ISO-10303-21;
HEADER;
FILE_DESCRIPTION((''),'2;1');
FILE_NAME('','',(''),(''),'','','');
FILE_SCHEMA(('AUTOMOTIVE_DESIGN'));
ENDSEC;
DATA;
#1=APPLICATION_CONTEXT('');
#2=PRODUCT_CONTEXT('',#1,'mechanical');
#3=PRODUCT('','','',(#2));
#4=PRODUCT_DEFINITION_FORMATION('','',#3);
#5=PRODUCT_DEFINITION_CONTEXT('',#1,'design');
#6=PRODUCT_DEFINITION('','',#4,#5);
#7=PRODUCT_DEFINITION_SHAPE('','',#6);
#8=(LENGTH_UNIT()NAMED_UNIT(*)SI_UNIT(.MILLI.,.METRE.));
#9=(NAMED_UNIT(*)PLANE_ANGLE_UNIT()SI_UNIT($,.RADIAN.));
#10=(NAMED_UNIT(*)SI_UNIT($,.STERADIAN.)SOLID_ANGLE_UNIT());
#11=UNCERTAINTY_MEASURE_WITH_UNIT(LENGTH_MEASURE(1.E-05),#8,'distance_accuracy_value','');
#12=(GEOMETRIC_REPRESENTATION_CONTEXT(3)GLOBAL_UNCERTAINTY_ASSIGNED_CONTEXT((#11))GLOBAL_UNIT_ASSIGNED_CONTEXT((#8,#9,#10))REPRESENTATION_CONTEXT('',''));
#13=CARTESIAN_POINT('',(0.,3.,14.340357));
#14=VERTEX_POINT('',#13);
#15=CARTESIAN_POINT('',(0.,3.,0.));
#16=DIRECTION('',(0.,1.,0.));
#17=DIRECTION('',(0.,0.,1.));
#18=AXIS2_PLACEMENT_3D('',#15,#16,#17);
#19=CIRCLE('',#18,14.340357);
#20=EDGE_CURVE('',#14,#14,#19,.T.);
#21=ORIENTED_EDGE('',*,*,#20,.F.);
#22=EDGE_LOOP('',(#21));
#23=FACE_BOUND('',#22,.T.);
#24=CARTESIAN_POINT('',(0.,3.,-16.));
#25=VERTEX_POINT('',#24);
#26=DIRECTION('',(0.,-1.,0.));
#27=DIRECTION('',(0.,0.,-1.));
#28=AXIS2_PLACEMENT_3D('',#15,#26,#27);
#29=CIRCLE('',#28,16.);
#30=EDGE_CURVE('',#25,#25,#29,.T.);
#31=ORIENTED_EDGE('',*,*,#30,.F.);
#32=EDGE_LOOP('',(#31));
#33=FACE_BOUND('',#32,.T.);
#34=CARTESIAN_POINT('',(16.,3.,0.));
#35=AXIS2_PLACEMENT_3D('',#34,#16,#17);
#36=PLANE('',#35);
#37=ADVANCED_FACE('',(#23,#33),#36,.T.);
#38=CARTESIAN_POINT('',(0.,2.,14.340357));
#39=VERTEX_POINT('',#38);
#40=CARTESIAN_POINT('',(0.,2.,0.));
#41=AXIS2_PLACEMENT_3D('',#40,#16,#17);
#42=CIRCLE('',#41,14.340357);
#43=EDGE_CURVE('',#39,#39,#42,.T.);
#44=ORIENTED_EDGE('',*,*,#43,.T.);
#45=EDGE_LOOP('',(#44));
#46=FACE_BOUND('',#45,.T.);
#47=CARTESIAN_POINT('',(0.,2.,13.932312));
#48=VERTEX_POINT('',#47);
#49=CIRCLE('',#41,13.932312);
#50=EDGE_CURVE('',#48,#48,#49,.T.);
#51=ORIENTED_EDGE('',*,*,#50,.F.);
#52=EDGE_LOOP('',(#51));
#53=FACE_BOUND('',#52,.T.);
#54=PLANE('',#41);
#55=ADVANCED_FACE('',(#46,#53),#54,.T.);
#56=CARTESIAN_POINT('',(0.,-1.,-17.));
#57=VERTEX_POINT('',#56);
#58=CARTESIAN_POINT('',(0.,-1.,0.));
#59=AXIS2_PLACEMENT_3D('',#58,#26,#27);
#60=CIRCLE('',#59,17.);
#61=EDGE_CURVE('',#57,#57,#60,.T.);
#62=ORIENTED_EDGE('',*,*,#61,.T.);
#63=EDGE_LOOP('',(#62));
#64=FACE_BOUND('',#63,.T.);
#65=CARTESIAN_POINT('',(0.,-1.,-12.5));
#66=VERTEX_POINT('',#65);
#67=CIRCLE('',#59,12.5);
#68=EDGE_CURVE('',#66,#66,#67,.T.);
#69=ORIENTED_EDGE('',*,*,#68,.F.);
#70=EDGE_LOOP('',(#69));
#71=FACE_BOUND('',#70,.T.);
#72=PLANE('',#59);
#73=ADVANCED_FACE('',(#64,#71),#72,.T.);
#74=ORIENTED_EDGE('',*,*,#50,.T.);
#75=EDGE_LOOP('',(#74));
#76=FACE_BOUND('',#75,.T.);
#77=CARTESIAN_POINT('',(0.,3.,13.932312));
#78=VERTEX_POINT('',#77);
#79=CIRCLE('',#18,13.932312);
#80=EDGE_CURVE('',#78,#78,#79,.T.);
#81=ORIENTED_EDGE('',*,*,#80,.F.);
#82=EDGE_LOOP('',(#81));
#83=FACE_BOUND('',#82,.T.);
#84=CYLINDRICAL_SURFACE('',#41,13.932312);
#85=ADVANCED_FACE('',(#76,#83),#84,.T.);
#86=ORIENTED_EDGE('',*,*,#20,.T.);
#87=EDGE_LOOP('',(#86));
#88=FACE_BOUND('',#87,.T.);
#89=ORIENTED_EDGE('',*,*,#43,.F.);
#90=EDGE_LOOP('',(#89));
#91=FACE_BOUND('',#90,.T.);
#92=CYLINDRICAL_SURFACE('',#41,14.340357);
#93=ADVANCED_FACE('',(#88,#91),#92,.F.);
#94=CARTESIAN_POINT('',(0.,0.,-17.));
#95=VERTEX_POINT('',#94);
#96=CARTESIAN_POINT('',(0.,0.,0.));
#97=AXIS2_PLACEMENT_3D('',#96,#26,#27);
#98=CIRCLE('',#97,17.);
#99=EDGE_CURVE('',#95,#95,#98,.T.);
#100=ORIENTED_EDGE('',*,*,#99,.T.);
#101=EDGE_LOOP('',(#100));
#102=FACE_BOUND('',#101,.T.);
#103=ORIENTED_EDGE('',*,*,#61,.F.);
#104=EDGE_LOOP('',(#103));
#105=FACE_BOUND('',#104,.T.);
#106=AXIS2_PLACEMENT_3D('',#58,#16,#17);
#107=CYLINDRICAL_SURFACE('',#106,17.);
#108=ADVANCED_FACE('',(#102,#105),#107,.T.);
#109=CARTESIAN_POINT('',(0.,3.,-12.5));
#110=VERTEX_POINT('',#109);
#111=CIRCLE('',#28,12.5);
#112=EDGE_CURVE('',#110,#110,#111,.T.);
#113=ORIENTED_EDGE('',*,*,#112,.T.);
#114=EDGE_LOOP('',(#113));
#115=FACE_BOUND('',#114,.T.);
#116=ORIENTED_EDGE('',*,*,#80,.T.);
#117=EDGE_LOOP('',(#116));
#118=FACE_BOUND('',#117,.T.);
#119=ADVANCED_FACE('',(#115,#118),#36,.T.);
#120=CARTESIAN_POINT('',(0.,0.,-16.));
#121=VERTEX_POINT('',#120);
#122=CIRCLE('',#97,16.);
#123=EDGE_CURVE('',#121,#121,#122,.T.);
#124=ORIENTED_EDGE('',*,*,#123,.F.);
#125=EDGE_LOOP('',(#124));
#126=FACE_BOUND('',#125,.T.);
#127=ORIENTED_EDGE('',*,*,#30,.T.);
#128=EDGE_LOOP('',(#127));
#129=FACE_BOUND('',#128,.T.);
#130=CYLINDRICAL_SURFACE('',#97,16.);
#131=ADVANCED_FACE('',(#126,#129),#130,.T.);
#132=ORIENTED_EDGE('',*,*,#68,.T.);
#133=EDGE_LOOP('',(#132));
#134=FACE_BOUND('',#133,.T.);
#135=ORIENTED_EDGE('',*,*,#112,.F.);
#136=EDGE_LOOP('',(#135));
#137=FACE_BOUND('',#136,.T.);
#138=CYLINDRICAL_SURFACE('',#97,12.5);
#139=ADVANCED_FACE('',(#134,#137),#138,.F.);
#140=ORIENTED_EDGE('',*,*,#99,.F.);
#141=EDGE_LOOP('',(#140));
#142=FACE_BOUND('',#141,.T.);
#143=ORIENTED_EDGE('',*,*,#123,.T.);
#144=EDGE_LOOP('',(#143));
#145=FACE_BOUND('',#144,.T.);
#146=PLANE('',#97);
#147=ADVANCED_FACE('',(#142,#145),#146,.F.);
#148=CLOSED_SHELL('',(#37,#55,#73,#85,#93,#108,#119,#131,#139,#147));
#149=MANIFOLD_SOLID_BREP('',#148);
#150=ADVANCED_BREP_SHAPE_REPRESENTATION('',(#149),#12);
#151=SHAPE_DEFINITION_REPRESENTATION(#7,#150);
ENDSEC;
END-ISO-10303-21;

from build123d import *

# Parameters (mm, degrees)
SKETCH_1_W          = 3.5
SKETCH_1_H          = 3
EXTRUDE_START       = 1
SKETCH_2_R          = 17
SKETCH_2_R_2        = 12.5
EXTRUDE_1_DEPTH     = 1
SKETCH_3_R          = 14.340356903
SKETCH_3_R_2        = 13.93231215
CUT_EXTRUDE_1_DEPTH = 1


with BuildPart() as part:
    # 草图1 → 旋转1 (revolve)
    with BuildSketch(Plane.XY, mode=Mode.PRIVATE) as revolve_1_sk:
        with Locations((14.25, 1.5)):
            Rectangle(SKETCH_1_W, SKETCH_1_H)
    revolve(revolve_1_sk.sketch.rotate(Axis((0, 0, 0), (0, 1, 0)), 90), axis=Axis((0, 0, 0), (0, 1, 0)))

    # 草图2 → 凸台-拉伸1 (add)
    with BuildSketch(Plane.XZ.offset(EXTRUDE_START)):
        with Locations(Location((0, 0, 0), (0, 0, 270))):
            Circle(SKETCH_2_R)
        with Locations(Location((0, 0, 0), (0, 0, 270))):
            Circle(SKETCH_2_R_2, mode=Mode.SUBTRACT)
    extrude(amount=-EXTRUDE_1_DEPTH)

    # 草图3 → 切除-拉伸1 (cut)
    with BuildSketch(Plane(origin=(0, 3, 0), x_dir=(1, 0, 0), z_dir=(0, 1, 0))):
        with Locations(Location((0, 0, 0), (0, 0, 270))):
            Circle(SKETCH_3_R)
        with Locations(Location((0, 0, 0), (0, 0, 270))):
            Circle(SKETCH_3_R_2, mode=Mode.SUBTRACT)
    extrude(amount=-CUT_EXTRUDE_1_DEPTH, mode=Mode.SUBTRACT)


solid = part.part
